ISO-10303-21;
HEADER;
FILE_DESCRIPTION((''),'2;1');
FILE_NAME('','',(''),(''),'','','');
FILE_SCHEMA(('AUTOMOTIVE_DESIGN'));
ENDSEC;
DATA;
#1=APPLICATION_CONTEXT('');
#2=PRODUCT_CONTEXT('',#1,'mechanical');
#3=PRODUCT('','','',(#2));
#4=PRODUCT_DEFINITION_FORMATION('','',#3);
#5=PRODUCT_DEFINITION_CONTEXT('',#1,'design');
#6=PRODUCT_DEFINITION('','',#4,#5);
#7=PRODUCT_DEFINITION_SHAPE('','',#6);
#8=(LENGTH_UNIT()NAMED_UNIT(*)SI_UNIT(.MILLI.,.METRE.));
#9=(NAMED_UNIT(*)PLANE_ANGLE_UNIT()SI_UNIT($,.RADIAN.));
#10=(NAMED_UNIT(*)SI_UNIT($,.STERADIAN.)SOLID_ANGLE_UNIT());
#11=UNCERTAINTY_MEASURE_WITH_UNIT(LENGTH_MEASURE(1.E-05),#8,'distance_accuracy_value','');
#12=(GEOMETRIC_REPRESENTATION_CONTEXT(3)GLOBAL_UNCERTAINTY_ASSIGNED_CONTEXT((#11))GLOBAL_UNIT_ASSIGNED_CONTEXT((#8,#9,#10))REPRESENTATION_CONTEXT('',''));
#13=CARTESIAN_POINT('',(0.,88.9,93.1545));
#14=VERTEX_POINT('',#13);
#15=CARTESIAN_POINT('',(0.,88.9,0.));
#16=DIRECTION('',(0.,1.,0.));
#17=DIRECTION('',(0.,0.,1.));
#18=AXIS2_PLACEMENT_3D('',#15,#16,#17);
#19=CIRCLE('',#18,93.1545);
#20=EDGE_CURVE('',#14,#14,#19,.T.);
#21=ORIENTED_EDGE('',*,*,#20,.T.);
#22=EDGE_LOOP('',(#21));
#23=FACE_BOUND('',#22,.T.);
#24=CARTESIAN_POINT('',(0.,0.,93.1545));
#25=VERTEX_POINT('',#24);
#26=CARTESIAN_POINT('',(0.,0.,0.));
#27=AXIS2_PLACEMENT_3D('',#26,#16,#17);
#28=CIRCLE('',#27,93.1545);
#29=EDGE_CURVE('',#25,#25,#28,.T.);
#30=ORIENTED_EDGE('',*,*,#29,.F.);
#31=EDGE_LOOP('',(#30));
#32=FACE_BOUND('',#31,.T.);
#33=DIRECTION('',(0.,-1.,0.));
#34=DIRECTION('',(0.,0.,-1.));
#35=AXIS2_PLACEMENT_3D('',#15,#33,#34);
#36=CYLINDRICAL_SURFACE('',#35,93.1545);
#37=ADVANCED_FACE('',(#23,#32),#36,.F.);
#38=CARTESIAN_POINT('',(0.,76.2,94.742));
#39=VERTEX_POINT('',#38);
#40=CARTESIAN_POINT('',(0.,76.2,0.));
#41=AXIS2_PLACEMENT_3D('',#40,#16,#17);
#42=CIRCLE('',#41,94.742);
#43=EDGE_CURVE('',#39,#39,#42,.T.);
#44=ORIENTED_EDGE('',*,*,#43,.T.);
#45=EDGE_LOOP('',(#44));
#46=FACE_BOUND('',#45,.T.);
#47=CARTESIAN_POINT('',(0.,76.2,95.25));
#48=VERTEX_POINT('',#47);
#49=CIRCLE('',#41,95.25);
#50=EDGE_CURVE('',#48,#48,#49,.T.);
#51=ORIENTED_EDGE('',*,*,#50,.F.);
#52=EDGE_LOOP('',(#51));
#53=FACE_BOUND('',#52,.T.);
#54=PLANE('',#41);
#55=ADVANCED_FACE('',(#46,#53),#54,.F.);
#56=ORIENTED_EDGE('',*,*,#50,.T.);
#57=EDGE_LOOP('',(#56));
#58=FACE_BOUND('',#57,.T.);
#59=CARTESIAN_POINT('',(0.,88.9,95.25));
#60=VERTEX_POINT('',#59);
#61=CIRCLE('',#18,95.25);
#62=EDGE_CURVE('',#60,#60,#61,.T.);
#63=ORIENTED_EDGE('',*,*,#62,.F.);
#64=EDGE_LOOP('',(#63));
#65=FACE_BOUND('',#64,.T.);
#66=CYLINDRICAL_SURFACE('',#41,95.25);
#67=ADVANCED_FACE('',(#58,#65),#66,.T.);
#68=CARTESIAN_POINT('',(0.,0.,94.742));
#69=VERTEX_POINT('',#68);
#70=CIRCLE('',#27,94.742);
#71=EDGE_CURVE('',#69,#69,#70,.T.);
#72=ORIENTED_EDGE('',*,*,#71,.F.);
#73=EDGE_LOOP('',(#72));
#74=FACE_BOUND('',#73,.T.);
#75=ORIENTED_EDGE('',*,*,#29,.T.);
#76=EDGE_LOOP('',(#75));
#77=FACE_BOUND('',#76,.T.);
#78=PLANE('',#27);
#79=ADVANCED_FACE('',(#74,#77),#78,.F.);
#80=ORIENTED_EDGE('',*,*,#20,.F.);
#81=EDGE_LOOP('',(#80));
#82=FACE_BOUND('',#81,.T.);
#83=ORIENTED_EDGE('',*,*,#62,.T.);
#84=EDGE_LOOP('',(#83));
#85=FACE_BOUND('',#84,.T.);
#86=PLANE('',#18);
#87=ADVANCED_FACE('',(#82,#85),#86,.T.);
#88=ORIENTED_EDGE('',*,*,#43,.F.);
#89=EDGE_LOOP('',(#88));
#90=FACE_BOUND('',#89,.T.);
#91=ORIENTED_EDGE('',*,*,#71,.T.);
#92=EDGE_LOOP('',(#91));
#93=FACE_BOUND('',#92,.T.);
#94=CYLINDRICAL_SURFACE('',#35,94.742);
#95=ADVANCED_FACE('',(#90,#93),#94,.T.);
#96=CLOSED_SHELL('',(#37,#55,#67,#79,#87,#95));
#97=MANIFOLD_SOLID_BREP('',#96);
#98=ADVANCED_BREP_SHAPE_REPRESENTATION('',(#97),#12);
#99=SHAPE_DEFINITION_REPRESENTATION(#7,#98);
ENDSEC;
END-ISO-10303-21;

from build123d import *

# Parameters (mm, degrees)
SKETCH1_R           = 94.742
SKETCH1_R_2         = 93.1545
BOSS_EXTRUDE1_DEPTH = 88.9
SKETCH2_R           = 95.25
SKETCH2_R_2         = 94.742
BOSS_EXTRUDE2_DEPTH = 12.7


with BuildPart() as part:
    # Sketch1 → Boss-Extrude1 (new body)
    with BuildSketch(Plane(origin=(0, 0, 0), x_dir=(1, 0, 0), z_dir=(0, 1, 0))):
        Circle(SKETCH1_R)
        Circle(SKETCH1_R_2, mode=Mode.SUBTRACT)
    extrude(amount=BOSS_EXTRUDE1_DEPTH)

    # Sketch2 → Boss-Extrude2 (add)
    with BuildSketch(Plane(origin=(0, 88.9, 0), x_dir=(1, 0, 0), z_dir=(0, 1, 0))):
        Circle(SKETCH2_R)
        Circle(SKETCH2_R_2, mode=Mode.SUBTRACT)
    extrude(amount=-BOSS_EXTRUDE2_DEPTH)


solid = part.part
